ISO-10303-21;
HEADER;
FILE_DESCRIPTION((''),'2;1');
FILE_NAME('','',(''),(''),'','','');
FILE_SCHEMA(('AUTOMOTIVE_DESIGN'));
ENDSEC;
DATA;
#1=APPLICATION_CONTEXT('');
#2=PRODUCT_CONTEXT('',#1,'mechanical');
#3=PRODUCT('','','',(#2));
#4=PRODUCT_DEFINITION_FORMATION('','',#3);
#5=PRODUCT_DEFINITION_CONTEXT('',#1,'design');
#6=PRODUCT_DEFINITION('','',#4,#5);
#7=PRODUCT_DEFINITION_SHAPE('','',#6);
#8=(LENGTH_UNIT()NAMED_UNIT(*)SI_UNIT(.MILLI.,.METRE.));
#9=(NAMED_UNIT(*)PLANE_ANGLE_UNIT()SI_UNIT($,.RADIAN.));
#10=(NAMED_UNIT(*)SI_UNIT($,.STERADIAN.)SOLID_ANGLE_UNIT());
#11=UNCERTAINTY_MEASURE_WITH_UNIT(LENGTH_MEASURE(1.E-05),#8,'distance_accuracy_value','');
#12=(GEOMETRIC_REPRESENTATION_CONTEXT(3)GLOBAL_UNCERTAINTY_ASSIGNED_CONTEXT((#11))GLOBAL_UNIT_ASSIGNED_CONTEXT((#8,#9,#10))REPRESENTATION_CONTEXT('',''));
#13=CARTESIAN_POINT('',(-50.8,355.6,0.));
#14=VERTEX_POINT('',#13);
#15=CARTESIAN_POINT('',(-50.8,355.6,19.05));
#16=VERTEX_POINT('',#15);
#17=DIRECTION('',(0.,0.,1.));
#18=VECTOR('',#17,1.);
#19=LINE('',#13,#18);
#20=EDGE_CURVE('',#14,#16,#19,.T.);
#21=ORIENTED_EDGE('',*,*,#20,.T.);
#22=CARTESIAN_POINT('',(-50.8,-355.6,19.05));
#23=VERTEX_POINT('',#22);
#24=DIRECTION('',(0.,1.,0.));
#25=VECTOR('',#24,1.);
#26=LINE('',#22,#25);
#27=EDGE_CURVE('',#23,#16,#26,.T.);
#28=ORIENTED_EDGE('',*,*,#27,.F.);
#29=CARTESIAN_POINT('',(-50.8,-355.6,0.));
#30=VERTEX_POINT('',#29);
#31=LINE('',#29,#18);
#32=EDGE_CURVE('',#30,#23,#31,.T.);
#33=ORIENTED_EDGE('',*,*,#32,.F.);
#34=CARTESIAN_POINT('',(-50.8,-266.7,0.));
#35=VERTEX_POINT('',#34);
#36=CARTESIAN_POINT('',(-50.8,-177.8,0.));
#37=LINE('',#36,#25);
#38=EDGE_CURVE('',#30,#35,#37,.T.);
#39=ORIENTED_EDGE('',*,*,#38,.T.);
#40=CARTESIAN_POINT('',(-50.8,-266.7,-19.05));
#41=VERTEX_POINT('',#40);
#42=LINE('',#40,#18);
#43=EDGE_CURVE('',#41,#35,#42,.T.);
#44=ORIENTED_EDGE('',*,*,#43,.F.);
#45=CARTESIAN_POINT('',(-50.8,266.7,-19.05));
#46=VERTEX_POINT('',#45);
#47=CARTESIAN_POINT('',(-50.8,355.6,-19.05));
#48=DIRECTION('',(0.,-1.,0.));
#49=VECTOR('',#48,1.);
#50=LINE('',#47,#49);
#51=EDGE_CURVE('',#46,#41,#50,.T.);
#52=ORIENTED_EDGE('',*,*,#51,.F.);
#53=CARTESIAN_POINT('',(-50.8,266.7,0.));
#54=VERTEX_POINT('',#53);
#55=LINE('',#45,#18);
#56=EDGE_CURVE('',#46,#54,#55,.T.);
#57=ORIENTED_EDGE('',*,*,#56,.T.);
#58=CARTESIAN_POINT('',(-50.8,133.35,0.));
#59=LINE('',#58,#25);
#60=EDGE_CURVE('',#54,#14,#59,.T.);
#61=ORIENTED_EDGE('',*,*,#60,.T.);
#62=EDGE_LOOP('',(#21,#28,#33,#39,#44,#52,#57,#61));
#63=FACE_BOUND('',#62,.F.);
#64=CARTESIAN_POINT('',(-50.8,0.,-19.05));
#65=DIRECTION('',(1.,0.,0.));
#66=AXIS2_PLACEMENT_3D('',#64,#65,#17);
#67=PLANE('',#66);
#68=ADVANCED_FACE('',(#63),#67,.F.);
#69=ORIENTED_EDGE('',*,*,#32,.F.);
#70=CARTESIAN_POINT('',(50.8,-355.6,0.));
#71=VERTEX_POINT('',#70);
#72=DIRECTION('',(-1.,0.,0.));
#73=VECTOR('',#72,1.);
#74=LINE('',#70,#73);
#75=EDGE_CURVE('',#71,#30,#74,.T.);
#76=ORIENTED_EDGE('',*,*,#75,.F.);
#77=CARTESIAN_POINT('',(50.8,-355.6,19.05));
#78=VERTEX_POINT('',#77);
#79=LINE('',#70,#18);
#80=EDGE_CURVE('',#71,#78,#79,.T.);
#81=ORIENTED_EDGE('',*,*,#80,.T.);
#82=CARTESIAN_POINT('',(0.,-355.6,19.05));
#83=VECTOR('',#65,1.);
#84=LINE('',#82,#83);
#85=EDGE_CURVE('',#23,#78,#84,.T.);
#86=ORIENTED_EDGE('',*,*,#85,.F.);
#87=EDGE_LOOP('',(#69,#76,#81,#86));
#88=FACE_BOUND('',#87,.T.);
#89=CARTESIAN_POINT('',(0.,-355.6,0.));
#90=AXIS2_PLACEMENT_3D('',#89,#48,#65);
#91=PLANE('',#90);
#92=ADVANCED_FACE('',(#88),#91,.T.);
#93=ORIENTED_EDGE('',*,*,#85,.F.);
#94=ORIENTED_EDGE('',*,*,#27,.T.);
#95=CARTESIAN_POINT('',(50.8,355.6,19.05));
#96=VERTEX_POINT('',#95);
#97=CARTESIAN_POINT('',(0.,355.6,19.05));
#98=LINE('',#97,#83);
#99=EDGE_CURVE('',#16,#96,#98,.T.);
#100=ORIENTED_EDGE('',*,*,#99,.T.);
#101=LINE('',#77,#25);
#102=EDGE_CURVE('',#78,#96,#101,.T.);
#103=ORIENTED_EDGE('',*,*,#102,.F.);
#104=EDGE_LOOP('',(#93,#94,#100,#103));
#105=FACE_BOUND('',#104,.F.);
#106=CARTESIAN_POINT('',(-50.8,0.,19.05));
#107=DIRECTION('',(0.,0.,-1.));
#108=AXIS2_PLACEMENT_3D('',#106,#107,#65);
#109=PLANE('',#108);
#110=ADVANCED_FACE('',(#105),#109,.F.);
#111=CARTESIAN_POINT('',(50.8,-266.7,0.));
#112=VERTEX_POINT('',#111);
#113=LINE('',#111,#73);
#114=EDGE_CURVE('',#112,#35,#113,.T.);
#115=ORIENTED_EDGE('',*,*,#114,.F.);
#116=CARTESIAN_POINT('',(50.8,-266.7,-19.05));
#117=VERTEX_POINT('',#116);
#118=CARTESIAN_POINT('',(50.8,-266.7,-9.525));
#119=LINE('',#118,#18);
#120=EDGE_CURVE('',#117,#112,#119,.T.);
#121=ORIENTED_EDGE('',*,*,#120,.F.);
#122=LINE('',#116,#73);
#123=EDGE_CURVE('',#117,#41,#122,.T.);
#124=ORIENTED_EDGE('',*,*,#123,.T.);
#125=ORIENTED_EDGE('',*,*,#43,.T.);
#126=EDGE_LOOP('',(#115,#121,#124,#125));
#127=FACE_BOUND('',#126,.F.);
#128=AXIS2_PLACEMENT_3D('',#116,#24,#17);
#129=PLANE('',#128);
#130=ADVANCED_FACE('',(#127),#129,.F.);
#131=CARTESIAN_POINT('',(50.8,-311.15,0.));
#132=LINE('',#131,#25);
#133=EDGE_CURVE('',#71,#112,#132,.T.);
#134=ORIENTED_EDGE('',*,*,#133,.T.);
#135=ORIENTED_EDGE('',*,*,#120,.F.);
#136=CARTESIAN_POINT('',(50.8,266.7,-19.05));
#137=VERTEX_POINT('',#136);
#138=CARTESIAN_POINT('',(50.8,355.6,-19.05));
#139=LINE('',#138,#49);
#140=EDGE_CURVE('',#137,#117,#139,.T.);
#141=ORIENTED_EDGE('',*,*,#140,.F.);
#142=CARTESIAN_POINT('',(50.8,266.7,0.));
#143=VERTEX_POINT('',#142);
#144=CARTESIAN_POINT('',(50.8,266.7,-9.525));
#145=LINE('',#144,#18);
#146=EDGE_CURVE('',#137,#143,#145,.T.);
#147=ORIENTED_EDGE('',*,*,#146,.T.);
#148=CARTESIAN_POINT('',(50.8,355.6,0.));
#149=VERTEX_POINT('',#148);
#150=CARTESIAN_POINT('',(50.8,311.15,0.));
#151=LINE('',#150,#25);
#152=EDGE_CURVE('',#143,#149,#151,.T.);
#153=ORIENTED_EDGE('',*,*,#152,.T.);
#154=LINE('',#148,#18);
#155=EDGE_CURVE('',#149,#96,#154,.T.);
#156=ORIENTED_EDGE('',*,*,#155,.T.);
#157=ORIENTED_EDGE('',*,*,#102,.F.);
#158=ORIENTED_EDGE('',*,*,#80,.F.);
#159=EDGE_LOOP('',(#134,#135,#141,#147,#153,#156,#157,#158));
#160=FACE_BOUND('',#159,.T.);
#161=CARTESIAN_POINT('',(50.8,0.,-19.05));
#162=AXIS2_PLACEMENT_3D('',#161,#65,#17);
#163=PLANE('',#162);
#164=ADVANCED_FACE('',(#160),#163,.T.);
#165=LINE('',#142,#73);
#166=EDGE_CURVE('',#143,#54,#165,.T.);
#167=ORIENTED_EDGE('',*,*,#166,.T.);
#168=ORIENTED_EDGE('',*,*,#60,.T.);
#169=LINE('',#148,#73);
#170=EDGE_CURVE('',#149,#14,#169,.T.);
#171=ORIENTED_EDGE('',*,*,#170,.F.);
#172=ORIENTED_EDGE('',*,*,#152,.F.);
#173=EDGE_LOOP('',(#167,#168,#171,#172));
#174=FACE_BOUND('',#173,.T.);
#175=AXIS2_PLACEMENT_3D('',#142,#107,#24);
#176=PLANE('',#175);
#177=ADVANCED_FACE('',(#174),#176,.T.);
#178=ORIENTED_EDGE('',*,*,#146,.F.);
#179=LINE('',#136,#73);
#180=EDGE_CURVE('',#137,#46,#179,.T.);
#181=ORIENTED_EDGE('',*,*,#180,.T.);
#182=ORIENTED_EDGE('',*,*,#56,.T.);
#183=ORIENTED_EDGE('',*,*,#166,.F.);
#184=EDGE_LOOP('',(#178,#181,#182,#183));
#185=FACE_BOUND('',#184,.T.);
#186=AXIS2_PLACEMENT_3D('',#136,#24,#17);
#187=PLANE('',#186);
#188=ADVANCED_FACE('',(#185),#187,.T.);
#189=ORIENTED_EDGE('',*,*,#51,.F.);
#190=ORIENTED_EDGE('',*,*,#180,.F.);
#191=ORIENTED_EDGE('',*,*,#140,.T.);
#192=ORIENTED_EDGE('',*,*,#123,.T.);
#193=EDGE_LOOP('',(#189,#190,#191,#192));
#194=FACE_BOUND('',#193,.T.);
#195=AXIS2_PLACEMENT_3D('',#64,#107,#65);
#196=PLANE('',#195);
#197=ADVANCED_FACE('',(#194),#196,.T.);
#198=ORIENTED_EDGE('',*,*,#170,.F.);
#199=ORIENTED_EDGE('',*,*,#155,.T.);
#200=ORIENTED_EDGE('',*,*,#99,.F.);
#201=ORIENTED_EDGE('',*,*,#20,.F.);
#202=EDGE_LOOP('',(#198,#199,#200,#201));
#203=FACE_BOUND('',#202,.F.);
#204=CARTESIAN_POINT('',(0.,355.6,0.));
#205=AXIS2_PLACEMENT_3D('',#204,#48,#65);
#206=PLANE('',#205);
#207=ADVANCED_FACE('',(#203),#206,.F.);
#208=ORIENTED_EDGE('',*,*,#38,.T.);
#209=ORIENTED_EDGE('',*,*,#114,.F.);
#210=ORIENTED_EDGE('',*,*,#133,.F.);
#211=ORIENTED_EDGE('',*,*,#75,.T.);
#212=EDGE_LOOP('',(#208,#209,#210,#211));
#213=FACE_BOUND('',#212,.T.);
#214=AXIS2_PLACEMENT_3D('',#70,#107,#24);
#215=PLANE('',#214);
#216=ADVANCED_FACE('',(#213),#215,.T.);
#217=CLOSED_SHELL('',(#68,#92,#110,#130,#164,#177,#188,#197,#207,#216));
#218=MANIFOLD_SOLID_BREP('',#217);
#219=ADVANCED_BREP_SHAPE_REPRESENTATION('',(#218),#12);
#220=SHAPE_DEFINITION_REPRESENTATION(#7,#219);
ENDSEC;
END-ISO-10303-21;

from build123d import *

# Parameters (mm, degrees)
F0_W     = 101.6
F0_H     = 38.1
F1_DEPTH = 355.6
F2_W     = 88.9
F2_H     = 19.05
F3_DEPTH = 101.601


with BuildPart() as f1:
    # F0 (on Front) → F1 (new body, symmetric)
    with BuildSketch(Plane.XZ):
        Rectangle(F0_W, F0_H)
    extrude(amount=F1_DEPTH, both=True)

    # F2 (on face) → F3 (cut, through all)
    with BuildSketch(Plane.YZ.offset(50.8)):
        with Locations((311.15, -9.525)):
            Rectangle(F2_W, F2_H)
        with Locations((-311.15, -9.525)):
            Rectangle(F2_W, F2_H)
    extrude(amount=-F3_DEPTH, mode=Mode.SUBTRACT)


solid = f1.part
